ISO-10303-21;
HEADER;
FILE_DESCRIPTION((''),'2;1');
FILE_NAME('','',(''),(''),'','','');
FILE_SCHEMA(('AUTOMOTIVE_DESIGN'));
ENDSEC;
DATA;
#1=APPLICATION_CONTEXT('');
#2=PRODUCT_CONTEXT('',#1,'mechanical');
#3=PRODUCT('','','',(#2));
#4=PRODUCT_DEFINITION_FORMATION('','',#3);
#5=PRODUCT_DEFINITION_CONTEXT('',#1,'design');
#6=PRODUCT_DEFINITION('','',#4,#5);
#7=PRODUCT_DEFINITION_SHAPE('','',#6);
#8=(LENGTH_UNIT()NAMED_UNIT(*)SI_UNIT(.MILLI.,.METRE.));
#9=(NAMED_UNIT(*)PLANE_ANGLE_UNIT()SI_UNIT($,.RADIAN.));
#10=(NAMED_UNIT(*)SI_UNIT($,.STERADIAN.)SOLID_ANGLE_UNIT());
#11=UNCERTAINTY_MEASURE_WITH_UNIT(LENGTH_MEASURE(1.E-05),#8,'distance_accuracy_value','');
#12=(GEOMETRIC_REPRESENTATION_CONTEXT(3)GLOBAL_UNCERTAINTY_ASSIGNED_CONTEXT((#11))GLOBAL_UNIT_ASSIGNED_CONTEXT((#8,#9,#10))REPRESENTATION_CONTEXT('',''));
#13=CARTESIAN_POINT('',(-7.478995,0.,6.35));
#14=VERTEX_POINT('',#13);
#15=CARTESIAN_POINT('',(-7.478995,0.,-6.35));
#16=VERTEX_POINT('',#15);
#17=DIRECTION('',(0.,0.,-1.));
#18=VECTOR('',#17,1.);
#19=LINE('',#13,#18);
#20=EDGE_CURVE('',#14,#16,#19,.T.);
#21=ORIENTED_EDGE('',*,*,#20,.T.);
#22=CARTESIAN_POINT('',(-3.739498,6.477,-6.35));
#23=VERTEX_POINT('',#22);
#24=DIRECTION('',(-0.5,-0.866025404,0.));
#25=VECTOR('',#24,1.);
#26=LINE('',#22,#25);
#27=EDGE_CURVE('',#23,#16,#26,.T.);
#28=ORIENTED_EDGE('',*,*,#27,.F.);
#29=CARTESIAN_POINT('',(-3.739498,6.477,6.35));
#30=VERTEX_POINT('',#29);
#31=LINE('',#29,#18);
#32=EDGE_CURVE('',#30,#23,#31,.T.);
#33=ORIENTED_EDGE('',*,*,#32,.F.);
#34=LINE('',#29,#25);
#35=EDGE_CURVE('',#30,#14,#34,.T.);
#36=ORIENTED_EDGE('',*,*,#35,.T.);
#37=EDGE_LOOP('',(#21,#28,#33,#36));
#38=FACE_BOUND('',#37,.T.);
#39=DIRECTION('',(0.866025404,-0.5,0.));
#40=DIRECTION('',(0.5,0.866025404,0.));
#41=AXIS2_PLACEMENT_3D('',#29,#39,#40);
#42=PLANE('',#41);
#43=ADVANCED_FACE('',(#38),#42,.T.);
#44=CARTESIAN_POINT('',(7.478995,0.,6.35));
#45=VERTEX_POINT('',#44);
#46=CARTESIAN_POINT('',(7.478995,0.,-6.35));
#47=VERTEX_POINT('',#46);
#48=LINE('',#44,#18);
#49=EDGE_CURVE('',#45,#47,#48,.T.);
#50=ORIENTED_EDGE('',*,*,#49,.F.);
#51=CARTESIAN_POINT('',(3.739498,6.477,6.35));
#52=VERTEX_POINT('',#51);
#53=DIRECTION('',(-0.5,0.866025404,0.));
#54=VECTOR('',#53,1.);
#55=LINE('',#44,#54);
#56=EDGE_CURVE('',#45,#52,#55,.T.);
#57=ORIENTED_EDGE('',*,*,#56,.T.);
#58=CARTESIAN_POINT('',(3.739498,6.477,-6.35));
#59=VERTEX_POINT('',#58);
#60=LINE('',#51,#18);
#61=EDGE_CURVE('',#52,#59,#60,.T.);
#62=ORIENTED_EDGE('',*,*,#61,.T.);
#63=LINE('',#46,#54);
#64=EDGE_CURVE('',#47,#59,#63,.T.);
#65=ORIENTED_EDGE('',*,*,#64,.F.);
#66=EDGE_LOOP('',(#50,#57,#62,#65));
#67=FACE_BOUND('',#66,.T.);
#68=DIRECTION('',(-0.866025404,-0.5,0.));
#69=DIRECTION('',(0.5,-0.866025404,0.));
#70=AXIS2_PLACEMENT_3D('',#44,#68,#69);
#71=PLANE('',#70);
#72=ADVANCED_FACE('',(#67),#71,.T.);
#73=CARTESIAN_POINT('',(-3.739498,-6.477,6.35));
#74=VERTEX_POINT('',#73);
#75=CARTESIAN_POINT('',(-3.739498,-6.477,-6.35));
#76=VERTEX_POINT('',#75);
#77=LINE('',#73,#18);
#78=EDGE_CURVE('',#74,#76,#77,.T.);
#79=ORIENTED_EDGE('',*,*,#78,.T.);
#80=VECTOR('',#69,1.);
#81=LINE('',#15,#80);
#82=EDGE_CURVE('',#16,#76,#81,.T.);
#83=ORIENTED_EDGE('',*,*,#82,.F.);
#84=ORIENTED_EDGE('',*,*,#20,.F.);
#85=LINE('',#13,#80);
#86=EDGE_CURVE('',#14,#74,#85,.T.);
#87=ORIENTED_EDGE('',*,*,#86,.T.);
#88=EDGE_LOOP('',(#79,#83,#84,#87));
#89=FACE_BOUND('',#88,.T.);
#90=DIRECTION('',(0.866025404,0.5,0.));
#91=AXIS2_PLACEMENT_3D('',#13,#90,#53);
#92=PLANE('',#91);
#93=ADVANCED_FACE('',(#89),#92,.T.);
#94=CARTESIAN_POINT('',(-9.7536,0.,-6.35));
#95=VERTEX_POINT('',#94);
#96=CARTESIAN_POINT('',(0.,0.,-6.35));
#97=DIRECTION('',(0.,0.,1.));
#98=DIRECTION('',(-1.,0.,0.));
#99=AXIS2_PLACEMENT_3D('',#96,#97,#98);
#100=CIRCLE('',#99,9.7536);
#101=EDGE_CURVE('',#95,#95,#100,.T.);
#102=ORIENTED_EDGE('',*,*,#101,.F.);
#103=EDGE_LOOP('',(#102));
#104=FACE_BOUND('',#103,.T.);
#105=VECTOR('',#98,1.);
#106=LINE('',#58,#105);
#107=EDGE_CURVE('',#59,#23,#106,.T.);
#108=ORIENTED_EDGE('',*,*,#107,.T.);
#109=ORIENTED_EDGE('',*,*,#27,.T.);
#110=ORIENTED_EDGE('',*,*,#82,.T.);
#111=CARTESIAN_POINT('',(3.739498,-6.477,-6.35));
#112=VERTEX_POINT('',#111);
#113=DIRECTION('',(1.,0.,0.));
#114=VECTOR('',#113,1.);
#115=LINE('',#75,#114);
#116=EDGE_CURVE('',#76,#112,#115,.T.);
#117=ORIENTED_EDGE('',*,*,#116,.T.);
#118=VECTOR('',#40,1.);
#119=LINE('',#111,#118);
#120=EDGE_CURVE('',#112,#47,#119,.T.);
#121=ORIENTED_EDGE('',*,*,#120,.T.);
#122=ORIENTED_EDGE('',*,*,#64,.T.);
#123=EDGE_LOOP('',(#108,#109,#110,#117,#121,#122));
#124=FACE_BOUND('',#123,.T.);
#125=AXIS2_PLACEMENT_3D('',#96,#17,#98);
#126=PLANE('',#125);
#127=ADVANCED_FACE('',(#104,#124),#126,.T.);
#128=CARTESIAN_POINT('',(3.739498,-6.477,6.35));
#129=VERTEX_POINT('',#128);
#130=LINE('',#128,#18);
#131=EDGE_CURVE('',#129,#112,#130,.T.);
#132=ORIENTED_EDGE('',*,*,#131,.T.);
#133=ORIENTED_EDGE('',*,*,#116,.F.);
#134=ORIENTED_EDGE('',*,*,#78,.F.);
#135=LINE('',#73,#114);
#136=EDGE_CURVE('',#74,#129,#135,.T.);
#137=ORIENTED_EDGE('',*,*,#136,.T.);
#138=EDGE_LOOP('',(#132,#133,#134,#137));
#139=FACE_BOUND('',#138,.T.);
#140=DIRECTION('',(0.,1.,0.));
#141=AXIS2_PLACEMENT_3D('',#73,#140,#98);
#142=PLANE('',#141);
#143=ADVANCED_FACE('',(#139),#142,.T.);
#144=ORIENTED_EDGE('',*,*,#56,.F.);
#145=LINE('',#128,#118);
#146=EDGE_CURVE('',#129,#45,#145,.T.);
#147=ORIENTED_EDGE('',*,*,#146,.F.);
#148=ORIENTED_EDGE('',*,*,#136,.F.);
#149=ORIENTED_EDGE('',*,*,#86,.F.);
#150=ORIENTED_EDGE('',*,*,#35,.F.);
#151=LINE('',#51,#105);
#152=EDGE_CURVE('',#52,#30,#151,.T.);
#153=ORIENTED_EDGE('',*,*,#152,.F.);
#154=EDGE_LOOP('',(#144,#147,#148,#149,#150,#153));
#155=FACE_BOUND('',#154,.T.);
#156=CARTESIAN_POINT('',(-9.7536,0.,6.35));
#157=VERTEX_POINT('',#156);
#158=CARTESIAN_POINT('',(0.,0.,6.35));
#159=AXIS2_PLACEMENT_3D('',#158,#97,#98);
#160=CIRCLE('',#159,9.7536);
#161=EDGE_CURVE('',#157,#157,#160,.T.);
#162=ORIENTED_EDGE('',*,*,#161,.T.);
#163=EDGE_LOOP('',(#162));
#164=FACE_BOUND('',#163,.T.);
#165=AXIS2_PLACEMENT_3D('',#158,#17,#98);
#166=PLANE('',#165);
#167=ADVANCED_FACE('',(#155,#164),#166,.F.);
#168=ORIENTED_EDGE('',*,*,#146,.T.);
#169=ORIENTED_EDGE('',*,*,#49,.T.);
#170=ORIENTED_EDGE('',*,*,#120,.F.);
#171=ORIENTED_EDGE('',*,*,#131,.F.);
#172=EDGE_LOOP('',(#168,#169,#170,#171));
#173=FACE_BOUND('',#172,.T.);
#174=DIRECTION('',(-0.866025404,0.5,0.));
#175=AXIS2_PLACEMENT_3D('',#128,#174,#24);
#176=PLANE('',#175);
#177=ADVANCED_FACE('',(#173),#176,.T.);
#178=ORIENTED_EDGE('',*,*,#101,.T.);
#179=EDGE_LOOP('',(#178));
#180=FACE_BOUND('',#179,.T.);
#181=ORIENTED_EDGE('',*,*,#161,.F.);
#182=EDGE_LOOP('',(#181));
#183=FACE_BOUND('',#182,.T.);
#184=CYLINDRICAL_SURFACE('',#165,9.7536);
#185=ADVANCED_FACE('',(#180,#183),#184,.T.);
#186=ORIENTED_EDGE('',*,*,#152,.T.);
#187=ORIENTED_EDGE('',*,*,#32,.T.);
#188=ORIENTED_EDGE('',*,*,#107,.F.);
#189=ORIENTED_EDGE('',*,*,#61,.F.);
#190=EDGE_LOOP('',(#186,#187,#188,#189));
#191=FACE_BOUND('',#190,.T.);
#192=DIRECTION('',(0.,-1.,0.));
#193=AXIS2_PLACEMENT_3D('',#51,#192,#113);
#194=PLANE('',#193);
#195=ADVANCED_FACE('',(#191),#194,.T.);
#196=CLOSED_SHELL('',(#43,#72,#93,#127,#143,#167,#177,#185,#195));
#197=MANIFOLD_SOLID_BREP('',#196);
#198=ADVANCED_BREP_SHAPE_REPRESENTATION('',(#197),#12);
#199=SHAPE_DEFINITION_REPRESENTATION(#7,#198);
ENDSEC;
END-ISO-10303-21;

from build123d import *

# Parameters (mm, degrees)
SKETCH2_R           = 9.7536
BOSS_EXTRUDE2_DEPTH = 6.35


with BuildPart() as part:
    # Sketch2 → Boss-Extrude2 (new, symmetric)
    with BuildSketch(Plane.XY):
        with Locations(Location((0, 0, 0), (0, 0, 180))):
            Circle(SKETCH2_R)
        Polygon((-3.739497694, 6.477), (-7.478995387, 0), (-3.739497694, -6.477), (3.739497694, -6.477), (7.478995387, 0), (3.739497694, 6.477), align=None, mode=Mode.SUBTRACT)
    extrude(amount=BOSS_EXTRUDE2_DEPTH, both=True)


solid = part.part
